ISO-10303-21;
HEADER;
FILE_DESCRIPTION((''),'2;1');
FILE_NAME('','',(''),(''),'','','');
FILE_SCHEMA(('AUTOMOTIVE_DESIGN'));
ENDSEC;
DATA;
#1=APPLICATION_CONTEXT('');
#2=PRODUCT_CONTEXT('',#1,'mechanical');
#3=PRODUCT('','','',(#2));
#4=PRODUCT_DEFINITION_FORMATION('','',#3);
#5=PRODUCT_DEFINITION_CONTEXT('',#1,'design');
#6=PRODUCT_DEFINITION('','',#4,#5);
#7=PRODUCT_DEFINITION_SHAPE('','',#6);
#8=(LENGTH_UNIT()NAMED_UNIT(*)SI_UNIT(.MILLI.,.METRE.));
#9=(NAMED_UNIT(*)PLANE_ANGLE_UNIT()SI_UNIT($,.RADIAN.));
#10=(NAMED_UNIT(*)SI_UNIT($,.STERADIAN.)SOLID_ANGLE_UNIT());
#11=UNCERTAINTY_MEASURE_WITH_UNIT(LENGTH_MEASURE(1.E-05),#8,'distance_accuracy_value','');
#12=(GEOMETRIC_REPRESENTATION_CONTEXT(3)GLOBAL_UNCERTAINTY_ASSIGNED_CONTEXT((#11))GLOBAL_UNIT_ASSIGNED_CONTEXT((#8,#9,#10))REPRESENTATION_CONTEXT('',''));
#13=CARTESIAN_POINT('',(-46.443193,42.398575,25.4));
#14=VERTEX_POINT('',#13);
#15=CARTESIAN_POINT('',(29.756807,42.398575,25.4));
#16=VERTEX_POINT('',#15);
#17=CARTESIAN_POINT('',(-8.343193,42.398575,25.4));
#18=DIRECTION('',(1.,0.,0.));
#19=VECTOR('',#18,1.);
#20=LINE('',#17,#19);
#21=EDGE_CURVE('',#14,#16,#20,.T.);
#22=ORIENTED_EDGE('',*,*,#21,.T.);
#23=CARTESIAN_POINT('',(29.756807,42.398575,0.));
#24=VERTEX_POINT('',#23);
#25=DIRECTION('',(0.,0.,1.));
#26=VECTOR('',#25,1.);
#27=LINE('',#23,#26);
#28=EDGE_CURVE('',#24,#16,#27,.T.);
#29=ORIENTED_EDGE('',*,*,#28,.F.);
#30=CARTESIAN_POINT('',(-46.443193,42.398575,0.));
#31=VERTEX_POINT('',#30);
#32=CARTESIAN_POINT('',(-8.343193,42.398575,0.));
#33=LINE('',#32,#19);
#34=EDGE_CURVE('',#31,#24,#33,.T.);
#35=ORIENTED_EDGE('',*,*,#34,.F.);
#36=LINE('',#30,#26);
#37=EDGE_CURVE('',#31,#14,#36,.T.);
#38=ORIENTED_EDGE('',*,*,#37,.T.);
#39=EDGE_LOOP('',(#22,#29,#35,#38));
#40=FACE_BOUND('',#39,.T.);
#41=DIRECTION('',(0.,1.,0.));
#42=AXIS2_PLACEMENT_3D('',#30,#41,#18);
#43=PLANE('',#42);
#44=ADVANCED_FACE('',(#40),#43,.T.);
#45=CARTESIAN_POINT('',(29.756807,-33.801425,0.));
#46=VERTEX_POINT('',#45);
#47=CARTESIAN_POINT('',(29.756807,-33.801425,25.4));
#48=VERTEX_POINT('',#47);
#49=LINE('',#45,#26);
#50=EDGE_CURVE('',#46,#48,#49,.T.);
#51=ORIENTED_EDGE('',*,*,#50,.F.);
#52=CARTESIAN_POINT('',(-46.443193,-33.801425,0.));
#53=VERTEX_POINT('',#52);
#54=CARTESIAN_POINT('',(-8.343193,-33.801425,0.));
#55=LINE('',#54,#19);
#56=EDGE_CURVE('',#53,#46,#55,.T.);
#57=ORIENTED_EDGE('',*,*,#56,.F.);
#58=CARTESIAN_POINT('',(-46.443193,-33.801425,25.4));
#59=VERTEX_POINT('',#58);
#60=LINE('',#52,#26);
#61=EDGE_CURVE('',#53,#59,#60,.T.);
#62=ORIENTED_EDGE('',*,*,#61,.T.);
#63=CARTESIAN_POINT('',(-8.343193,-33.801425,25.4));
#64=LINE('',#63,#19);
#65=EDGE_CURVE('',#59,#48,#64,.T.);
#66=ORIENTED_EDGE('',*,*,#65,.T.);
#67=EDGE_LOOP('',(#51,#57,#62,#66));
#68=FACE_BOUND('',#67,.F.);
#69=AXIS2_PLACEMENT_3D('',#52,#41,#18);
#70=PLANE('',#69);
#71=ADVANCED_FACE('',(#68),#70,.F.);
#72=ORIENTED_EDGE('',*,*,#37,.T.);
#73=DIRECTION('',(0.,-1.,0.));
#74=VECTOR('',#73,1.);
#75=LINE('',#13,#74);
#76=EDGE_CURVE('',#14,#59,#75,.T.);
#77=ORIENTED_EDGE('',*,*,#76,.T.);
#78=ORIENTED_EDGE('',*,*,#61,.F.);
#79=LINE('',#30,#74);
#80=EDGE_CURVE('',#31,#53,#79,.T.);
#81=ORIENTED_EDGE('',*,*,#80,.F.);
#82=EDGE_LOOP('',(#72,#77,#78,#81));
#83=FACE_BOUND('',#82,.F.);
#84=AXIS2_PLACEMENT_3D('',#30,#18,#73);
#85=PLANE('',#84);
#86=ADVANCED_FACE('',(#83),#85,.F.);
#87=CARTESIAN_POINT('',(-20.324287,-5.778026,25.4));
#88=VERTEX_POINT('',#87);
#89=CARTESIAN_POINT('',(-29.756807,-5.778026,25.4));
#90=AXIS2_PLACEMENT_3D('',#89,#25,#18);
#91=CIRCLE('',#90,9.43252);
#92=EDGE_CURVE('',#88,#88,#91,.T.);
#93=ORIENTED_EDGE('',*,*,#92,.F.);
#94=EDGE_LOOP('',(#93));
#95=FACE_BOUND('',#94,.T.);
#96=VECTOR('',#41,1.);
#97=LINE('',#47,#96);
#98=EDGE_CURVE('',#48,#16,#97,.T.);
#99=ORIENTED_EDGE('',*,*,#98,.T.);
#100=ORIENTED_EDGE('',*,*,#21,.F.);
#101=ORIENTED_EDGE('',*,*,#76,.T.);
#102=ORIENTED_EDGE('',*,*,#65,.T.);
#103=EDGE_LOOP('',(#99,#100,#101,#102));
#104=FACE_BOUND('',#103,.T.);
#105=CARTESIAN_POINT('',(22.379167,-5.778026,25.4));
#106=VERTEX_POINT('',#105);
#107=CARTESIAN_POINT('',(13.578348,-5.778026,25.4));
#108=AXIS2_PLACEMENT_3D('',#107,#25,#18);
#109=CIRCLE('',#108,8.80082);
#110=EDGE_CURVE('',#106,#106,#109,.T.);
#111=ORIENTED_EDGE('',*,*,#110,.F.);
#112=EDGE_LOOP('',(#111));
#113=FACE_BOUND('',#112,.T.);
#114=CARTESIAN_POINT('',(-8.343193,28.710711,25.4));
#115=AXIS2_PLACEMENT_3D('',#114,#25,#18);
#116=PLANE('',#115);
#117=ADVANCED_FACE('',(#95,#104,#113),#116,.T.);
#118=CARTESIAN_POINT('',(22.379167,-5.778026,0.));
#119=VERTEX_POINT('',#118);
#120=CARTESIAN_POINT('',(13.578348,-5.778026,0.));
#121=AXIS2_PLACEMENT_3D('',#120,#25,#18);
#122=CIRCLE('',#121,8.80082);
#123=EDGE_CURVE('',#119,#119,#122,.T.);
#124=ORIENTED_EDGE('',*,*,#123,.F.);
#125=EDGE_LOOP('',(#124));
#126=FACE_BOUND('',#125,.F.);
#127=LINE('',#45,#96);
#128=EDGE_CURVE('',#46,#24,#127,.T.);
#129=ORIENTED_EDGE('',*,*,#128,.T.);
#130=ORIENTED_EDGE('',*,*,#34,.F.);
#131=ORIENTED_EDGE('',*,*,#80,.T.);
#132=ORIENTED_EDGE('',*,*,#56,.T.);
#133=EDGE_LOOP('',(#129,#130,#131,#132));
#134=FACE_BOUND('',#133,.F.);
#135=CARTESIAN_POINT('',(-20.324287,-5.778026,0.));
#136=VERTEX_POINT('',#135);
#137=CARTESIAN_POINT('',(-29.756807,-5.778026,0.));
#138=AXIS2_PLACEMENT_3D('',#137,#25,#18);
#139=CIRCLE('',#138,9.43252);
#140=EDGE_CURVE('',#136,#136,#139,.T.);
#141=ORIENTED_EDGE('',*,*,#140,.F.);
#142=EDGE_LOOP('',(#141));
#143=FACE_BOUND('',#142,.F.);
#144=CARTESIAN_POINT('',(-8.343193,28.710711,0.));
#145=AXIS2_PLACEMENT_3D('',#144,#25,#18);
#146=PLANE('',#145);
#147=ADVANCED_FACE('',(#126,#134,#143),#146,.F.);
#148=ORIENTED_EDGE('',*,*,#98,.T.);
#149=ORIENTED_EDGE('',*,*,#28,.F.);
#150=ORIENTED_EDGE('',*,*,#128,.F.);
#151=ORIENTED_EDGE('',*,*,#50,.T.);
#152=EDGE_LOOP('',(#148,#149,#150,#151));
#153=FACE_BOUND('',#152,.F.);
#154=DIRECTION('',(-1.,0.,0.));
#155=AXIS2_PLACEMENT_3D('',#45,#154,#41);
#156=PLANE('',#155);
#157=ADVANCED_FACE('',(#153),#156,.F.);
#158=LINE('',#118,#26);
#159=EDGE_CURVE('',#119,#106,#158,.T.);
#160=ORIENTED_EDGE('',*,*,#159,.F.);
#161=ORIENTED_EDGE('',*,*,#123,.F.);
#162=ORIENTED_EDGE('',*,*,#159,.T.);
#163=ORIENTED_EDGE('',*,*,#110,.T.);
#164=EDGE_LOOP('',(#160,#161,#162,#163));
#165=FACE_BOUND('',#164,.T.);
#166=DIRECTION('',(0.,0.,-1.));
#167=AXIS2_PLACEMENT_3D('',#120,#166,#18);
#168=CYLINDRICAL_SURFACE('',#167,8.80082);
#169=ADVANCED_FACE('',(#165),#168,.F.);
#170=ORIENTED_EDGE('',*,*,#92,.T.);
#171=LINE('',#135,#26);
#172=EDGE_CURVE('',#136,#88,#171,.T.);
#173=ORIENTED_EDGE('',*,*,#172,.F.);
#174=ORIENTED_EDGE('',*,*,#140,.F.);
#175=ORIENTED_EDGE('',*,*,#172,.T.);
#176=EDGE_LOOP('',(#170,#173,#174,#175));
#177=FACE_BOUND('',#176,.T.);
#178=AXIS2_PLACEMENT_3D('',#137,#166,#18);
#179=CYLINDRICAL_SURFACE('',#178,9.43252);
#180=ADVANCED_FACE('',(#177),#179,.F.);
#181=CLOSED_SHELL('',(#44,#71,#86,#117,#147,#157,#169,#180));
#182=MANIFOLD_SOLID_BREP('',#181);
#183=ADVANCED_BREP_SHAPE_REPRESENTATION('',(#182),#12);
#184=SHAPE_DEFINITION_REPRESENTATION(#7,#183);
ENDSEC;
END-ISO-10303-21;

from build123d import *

# Parameters (mm, degrees)
F0_W     = 76.2
F0_H     = 27.3757269502
F0_H_2   = 48.8242730498
F0_R     = 9.4325201181
F0_R_2   = 8.8008195624
F1_DEPTH = 25.4


with BuildPart() as f1:
    # F0 (on Top) → F1 (new body)
    with BuildSketch(Plane.XY):
        with Locations((-8.3431932092, 28.7107112765)):
            Rectangle(F0_W, F0_H)
        with Locations((-8.3431932092, -9.3892887235)):
            Rectangle(F0_W, F0_H_2)
        with Locations((-29.7568067908, -5.7780258358)):
            Circle(F0_R, mode=Mode.SUBTRACT)
        with Locations((13.5783478618, -5.7780258358)):
            Circle(F0_R_2, mode=Mode.SUBTRACT)
    extrude(amount=F1_DEPTH)


solid = f1.part
